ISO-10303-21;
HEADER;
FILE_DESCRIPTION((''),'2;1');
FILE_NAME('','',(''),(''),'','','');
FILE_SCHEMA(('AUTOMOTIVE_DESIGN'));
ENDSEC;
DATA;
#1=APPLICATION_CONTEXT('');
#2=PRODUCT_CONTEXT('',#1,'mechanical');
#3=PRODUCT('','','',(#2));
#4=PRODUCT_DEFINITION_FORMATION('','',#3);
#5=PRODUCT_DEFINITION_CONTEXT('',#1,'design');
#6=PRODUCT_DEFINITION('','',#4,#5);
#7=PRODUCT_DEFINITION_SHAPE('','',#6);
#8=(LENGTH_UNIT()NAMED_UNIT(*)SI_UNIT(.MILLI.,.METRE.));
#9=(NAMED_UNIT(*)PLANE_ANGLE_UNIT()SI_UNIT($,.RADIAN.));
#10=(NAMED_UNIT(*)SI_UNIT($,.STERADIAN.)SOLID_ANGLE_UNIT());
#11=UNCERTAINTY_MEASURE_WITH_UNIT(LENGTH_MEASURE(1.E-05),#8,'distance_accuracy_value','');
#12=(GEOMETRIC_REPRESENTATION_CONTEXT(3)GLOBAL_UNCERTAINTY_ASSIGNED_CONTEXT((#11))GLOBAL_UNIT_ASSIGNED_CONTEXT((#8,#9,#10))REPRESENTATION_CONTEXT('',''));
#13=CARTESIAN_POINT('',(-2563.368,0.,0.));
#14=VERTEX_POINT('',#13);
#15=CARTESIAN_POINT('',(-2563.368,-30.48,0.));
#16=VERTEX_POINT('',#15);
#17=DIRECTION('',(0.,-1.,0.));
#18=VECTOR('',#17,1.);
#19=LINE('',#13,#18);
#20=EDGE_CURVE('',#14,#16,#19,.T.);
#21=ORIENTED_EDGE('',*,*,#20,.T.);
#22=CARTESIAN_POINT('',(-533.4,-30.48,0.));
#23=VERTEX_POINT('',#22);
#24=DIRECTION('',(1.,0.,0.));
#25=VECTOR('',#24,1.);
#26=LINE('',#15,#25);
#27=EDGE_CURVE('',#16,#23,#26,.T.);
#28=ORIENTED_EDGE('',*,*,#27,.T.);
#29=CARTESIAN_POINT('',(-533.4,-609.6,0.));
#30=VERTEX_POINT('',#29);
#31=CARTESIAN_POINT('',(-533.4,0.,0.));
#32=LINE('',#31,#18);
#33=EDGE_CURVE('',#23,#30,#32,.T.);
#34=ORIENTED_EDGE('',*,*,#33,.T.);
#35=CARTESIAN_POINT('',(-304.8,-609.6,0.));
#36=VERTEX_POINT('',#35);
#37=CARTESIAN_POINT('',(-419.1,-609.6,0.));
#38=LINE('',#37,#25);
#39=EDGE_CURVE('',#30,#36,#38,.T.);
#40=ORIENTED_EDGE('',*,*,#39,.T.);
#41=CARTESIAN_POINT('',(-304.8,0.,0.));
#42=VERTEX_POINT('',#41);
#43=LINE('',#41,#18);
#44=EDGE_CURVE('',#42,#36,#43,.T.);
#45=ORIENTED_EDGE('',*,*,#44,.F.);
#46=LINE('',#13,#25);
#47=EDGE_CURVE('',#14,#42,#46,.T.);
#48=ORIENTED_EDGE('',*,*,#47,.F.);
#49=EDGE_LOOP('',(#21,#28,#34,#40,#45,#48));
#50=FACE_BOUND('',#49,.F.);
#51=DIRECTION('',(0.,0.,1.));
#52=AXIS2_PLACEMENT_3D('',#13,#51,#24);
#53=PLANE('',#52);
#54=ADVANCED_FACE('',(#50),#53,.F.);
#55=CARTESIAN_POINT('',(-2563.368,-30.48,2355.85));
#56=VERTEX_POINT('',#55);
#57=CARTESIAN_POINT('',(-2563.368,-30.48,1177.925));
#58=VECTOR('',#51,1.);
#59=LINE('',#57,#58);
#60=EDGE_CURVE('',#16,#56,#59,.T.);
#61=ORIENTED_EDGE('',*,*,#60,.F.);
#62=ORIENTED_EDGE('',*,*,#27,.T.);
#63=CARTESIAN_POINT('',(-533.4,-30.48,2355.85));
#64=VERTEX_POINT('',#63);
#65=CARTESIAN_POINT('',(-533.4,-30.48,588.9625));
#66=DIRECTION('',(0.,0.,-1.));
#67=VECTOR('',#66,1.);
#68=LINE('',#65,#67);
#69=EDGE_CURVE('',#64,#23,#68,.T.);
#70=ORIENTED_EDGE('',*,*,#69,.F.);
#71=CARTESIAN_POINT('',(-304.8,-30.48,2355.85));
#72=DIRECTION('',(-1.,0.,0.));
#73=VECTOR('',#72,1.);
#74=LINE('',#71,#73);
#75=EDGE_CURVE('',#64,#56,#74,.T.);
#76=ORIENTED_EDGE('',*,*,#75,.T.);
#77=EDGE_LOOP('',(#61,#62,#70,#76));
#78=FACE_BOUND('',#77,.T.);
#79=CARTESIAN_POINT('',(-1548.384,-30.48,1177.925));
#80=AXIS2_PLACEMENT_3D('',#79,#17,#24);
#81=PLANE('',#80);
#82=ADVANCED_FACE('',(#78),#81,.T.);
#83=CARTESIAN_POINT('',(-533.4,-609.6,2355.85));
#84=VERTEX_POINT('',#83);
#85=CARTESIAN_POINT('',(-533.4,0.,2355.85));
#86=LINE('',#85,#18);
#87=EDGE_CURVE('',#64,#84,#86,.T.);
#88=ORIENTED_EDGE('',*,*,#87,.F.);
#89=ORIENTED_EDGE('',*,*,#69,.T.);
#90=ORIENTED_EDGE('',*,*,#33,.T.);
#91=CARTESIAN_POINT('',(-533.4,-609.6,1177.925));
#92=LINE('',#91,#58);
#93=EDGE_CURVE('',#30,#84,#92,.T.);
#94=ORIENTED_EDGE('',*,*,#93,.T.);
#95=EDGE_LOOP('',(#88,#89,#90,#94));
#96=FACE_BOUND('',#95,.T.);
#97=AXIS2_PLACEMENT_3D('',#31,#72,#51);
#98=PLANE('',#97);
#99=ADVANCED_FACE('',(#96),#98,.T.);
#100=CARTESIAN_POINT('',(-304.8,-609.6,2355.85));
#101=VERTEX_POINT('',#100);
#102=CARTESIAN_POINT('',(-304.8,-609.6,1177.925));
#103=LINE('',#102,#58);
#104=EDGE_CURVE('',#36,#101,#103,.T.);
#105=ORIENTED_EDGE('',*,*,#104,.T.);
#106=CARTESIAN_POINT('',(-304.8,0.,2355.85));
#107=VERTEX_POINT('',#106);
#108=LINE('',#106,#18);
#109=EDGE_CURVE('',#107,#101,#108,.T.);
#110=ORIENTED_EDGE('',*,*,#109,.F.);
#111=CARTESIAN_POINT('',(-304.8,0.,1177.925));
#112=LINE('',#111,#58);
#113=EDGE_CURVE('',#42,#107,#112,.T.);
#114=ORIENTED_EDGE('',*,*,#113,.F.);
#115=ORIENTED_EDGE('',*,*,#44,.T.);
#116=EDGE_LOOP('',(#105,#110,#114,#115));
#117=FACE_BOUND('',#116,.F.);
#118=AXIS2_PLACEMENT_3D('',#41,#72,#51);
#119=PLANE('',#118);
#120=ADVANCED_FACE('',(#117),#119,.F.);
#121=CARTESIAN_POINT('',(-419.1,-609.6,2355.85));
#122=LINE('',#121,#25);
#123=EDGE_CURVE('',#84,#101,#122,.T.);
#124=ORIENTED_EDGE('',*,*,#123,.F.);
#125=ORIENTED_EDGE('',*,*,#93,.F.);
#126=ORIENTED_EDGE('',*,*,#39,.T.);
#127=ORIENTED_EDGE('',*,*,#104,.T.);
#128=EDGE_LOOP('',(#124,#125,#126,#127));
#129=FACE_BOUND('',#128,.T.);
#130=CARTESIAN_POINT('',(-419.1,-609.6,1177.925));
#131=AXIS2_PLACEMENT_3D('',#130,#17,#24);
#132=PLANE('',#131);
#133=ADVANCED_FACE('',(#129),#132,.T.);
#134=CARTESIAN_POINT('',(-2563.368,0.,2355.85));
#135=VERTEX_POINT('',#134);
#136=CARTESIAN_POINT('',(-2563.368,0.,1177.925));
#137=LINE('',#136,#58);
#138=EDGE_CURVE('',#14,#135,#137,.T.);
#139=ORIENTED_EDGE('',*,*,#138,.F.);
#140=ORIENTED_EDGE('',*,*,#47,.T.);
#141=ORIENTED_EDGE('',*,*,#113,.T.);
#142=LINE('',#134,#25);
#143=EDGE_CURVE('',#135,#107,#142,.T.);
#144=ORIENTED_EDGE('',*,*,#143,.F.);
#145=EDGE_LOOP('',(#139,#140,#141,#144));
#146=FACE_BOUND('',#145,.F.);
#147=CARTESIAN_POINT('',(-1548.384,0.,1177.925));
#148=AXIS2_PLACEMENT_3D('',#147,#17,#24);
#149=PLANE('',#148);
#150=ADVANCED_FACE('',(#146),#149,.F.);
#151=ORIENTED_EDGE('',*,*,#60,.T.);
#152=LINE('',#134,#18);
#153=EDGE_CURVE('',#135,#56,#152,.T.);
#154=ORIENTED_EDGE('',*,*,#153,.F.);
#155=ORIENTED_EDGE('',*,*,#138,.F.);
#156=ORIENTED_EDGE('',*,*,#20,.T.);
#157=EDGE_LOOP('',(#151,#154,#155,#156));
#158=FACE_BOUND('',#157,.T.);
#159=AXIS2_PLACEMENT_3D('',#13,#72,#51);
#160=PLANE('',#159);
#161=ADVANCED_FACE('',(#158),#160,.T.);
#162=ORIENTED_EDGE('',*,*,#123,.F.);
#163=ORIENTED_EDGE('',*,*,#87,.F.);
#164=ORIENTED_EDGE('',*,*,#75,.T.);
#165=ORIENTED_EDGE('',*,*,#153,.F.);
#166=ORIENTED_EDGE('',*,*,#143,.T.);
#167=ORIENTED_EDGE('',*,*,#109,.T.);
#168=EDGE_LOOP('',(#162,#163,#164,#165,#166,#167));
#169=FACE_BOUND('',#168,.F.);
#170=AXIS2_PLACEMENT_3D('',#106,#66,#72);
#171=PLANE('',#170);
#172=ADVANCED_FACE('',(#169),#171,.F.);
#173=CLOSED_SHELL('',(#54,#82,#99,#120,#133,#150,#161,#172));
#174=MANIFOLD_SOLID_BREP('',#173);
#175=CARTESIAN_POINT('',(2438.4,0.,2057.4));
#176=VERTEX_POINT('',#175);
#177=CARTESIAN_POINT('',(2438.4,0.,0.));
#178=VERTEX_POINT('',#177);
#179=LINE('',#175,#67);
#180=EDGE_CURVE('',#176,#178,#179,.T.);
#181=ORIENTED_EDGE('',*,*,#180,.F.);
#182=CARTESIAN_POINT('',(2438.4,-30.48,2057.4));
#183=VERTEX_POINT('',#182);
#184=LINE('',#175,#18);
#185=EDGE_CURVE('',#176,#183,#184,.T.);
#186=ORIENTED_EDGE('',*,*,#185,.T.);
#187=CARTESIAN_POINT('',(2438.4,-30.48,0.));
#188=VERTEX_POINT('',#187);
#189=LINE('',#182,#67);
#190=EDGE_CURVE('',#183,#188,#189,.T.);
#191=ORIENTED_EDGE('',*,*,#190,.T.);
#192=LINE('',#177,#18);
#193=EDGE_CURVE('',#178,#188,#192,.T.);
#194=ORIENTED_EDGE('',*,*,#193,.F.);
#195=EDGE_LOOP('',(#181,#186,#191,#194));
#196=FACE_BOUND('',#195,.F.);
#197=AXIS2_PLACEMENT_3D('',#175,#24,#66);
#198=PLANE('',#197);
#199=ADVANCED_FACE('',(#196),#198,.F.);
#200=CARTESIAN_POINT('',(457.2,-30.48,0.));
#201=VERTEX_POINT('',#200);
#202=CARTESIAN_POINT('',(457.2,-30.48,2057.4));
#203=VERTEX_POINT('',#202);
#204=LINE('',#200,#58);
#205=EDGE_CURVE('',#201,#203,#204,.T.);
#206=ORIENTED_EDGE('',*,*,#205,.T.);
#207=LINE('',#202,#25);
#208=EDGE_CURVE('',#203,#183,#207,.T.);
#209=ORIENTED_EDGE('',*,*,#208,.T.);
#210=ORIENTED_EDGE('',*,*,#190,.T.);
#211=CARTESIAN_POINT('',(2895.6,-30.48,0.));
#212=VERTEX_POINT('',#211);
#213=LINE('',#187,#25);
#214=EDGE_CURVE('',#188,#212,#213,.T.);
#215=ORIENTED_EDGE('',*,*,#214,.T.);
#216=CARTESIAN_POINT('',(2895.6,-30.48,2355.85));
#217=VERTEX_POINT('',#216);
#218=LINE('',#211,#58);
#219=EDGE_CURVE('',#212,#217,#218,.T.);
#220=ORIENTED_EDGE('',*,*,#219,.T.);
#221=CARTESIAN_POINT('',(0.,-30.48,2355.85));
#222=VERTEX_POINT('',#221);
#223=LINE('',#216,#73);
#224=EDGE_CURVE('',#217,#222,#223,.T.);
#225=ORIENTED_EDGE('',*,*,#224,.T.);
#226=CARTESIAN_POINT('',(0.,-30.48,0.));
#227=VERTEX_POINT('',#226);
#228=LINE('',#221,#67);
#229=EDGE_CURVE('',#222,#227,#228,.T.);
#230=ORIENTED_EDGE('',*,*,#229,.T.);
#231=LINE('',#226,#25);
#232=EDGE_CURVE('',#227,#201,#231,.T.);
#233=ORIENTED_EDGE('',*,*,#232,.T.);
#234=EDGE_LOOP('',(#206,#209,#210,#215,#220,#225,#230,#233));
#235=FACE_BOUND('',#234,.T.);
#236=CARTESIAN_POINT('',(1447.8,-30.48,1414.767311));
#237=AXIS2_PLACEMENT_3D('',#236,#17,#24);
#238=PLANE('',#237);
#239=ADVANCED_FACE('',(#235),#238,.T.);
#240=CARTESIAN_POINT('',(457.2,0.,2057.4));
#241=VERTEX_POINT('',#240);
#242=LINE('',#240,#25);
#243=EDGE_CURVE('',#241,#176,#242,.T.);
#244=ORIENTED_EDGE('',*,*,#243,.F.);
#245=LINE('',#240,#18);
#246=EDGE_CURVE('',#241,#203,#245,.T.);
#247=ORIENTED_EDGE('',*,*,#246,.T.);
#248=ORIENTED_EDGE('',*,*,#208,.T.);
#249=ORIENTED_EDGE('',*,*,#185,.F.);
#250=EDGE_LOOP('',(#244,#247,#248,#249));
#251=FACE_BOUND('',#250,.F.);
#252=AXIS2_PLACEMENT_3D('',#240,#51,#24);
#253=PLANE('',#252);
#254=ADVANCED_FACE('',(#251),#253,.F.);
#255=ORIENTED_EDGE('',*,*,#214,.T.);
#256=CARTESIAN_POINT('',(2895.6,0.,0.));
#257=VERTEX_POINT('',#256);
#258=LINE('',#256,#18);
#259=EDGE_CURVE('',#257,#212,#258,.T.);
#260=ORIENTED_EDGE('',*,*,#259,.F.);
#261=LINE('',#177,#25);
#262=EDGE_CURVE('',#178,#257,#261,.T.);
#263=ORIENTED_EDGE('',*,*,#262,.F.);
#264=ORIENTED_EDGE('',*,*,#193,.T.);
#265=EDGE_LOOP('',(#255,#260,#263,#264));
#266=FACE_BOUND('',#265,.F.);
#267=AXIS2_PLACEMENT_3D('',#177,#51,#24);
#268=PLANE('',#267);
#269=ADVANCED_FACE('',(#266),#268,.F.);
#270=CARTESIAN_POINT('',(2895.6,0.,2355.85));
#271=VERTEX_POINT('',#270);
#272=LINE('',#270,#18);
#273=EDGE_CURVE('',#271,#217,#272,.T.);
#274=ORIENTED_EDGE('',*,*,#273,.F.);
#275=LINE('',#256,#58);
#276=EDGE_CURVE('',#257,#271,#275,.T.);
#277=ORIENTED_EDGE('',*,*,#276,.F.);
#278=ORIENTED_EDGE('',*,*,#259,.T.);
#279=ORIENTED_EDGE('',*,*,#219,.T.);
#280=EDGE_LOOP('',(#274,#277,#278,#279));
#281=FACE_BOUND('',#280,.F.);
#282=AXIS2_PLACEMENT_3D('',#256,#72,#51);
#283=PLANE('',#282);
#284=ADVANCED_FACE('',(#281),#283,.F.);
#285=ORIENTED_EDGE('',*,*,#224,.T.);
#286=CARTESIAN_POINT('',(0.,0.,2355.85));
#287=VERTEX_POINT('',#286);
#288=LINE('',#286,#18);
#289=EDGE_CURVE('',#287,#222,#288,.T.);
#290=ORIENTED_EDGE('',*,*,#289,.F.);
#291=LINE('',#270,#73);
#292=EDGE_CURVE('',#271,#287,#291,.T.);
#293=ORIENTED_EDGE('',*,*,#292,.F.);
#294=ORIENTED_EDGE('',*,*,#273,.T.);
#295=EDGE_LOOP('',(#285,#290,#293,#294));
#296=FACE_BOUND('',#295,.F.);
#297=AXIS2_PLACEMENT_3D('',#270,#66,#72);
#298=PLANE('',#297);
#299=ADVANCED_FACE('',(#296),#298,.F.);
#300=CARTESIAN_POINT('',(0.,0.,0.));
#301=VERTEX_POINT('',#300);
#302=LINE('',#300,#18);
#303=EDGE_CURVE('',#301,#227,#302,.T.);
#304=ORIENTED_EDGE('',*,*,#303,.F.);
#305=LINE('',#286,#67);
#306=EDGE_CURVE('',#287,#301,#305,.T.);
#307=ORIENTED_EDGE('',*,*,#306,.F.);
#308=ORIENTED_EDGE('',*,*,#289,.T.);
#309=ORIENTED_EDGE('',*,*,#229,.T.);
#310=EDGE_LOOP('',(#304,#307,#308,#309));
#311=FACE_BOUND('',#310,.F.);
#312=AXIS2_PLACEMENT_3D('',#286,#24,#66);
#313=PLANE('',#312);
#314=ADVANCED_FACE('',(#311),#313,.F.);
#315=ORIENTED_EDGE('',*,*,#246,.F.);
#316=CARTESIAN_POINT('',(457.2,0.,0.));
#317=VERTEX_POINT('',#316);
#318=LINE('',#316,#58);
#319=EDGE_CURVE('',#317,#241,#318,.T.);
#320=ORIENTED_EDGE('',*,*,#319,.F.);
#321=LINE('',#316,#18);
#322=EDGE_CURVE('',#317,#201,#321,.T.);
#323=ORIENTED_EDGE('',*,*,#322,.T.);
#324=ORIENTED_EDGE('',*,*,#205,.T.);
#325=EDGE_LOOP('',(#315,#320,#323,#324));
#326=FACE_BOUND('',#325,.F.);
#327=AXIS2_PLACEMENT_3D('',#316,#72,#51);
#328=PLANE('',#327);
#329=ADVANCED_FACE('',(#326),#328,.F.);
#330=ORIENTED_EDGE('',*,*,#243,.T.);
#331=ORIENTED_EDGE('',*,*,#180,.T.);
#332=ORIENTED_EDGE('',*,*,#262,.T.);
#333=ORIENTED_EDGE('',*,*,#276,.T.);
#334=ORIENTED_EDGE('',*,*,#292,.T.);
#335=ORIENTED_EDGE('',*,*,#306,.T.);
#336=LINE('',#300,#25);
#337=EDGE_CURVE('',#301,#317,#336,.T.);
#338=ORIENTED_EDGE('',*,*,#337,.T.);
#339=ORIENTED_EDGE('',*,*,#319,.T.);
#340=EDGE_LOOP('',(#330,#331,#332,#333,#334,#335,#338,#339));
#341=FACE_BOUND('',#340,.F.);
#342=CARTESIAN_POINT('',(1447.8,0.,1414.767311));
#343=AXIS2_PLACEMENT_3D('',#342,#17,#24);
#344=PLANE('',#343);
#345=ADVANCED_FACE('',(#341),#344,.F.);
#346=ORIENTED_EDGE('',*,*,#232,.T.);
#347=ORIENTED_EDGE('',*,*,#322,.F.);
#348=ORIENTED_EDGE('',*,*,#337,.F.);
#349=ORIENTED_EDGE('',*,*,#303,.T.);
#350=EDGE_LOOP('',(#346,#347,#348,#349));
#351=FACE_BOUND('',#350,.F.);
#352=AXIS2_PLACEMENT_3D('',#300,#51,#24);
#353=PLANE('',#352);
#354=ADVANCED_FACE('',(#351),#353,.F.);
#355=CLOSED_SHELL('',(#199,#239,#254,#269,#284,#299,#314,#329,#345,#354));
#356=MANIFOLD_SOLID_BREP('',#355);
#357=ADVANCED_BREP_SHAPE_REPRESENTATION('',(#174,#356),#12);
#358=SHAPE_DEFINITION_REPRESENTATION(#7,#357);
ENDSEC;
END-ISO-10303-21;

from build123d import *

# Parameters (mm, degrees)
F0_W     = 2029.968
F0_H     = 2355.85
F0_W_2   = 228.6
F1_DEPTH = 30.48
F2_DEPTH = 609.6


with BuildPart() as f1:
    # F0 (on Front) → F1 (new body)
    with BuildSketch(Plane.XZ):
        with Locations((-1548.384, 1177.925)):
            Rectangle(F0_W, F0_H)
        with Locations((-419.1, 1177.925)):
            Rectangle(F0_W_2, F0_H)
        Polygon((0, 2355.85), (0, 0), (457.2, 0), (457.2, 2057.4), (2438.4, 2057.4), (2438.4, 0), (2895.6, 0), (2895.6, 2355.85), align=None)
    extrude(amount=F1_DEPTH)

    # F0 (on Front) → F2 (join)
    with BuildSketch(Plane.XZ):
        with Locations((-419.1, 1177.925)):
            Rectangle(F0_W_2, F0_H)
    extrude(amount=F2_DEPTH)


solid = f1.part
